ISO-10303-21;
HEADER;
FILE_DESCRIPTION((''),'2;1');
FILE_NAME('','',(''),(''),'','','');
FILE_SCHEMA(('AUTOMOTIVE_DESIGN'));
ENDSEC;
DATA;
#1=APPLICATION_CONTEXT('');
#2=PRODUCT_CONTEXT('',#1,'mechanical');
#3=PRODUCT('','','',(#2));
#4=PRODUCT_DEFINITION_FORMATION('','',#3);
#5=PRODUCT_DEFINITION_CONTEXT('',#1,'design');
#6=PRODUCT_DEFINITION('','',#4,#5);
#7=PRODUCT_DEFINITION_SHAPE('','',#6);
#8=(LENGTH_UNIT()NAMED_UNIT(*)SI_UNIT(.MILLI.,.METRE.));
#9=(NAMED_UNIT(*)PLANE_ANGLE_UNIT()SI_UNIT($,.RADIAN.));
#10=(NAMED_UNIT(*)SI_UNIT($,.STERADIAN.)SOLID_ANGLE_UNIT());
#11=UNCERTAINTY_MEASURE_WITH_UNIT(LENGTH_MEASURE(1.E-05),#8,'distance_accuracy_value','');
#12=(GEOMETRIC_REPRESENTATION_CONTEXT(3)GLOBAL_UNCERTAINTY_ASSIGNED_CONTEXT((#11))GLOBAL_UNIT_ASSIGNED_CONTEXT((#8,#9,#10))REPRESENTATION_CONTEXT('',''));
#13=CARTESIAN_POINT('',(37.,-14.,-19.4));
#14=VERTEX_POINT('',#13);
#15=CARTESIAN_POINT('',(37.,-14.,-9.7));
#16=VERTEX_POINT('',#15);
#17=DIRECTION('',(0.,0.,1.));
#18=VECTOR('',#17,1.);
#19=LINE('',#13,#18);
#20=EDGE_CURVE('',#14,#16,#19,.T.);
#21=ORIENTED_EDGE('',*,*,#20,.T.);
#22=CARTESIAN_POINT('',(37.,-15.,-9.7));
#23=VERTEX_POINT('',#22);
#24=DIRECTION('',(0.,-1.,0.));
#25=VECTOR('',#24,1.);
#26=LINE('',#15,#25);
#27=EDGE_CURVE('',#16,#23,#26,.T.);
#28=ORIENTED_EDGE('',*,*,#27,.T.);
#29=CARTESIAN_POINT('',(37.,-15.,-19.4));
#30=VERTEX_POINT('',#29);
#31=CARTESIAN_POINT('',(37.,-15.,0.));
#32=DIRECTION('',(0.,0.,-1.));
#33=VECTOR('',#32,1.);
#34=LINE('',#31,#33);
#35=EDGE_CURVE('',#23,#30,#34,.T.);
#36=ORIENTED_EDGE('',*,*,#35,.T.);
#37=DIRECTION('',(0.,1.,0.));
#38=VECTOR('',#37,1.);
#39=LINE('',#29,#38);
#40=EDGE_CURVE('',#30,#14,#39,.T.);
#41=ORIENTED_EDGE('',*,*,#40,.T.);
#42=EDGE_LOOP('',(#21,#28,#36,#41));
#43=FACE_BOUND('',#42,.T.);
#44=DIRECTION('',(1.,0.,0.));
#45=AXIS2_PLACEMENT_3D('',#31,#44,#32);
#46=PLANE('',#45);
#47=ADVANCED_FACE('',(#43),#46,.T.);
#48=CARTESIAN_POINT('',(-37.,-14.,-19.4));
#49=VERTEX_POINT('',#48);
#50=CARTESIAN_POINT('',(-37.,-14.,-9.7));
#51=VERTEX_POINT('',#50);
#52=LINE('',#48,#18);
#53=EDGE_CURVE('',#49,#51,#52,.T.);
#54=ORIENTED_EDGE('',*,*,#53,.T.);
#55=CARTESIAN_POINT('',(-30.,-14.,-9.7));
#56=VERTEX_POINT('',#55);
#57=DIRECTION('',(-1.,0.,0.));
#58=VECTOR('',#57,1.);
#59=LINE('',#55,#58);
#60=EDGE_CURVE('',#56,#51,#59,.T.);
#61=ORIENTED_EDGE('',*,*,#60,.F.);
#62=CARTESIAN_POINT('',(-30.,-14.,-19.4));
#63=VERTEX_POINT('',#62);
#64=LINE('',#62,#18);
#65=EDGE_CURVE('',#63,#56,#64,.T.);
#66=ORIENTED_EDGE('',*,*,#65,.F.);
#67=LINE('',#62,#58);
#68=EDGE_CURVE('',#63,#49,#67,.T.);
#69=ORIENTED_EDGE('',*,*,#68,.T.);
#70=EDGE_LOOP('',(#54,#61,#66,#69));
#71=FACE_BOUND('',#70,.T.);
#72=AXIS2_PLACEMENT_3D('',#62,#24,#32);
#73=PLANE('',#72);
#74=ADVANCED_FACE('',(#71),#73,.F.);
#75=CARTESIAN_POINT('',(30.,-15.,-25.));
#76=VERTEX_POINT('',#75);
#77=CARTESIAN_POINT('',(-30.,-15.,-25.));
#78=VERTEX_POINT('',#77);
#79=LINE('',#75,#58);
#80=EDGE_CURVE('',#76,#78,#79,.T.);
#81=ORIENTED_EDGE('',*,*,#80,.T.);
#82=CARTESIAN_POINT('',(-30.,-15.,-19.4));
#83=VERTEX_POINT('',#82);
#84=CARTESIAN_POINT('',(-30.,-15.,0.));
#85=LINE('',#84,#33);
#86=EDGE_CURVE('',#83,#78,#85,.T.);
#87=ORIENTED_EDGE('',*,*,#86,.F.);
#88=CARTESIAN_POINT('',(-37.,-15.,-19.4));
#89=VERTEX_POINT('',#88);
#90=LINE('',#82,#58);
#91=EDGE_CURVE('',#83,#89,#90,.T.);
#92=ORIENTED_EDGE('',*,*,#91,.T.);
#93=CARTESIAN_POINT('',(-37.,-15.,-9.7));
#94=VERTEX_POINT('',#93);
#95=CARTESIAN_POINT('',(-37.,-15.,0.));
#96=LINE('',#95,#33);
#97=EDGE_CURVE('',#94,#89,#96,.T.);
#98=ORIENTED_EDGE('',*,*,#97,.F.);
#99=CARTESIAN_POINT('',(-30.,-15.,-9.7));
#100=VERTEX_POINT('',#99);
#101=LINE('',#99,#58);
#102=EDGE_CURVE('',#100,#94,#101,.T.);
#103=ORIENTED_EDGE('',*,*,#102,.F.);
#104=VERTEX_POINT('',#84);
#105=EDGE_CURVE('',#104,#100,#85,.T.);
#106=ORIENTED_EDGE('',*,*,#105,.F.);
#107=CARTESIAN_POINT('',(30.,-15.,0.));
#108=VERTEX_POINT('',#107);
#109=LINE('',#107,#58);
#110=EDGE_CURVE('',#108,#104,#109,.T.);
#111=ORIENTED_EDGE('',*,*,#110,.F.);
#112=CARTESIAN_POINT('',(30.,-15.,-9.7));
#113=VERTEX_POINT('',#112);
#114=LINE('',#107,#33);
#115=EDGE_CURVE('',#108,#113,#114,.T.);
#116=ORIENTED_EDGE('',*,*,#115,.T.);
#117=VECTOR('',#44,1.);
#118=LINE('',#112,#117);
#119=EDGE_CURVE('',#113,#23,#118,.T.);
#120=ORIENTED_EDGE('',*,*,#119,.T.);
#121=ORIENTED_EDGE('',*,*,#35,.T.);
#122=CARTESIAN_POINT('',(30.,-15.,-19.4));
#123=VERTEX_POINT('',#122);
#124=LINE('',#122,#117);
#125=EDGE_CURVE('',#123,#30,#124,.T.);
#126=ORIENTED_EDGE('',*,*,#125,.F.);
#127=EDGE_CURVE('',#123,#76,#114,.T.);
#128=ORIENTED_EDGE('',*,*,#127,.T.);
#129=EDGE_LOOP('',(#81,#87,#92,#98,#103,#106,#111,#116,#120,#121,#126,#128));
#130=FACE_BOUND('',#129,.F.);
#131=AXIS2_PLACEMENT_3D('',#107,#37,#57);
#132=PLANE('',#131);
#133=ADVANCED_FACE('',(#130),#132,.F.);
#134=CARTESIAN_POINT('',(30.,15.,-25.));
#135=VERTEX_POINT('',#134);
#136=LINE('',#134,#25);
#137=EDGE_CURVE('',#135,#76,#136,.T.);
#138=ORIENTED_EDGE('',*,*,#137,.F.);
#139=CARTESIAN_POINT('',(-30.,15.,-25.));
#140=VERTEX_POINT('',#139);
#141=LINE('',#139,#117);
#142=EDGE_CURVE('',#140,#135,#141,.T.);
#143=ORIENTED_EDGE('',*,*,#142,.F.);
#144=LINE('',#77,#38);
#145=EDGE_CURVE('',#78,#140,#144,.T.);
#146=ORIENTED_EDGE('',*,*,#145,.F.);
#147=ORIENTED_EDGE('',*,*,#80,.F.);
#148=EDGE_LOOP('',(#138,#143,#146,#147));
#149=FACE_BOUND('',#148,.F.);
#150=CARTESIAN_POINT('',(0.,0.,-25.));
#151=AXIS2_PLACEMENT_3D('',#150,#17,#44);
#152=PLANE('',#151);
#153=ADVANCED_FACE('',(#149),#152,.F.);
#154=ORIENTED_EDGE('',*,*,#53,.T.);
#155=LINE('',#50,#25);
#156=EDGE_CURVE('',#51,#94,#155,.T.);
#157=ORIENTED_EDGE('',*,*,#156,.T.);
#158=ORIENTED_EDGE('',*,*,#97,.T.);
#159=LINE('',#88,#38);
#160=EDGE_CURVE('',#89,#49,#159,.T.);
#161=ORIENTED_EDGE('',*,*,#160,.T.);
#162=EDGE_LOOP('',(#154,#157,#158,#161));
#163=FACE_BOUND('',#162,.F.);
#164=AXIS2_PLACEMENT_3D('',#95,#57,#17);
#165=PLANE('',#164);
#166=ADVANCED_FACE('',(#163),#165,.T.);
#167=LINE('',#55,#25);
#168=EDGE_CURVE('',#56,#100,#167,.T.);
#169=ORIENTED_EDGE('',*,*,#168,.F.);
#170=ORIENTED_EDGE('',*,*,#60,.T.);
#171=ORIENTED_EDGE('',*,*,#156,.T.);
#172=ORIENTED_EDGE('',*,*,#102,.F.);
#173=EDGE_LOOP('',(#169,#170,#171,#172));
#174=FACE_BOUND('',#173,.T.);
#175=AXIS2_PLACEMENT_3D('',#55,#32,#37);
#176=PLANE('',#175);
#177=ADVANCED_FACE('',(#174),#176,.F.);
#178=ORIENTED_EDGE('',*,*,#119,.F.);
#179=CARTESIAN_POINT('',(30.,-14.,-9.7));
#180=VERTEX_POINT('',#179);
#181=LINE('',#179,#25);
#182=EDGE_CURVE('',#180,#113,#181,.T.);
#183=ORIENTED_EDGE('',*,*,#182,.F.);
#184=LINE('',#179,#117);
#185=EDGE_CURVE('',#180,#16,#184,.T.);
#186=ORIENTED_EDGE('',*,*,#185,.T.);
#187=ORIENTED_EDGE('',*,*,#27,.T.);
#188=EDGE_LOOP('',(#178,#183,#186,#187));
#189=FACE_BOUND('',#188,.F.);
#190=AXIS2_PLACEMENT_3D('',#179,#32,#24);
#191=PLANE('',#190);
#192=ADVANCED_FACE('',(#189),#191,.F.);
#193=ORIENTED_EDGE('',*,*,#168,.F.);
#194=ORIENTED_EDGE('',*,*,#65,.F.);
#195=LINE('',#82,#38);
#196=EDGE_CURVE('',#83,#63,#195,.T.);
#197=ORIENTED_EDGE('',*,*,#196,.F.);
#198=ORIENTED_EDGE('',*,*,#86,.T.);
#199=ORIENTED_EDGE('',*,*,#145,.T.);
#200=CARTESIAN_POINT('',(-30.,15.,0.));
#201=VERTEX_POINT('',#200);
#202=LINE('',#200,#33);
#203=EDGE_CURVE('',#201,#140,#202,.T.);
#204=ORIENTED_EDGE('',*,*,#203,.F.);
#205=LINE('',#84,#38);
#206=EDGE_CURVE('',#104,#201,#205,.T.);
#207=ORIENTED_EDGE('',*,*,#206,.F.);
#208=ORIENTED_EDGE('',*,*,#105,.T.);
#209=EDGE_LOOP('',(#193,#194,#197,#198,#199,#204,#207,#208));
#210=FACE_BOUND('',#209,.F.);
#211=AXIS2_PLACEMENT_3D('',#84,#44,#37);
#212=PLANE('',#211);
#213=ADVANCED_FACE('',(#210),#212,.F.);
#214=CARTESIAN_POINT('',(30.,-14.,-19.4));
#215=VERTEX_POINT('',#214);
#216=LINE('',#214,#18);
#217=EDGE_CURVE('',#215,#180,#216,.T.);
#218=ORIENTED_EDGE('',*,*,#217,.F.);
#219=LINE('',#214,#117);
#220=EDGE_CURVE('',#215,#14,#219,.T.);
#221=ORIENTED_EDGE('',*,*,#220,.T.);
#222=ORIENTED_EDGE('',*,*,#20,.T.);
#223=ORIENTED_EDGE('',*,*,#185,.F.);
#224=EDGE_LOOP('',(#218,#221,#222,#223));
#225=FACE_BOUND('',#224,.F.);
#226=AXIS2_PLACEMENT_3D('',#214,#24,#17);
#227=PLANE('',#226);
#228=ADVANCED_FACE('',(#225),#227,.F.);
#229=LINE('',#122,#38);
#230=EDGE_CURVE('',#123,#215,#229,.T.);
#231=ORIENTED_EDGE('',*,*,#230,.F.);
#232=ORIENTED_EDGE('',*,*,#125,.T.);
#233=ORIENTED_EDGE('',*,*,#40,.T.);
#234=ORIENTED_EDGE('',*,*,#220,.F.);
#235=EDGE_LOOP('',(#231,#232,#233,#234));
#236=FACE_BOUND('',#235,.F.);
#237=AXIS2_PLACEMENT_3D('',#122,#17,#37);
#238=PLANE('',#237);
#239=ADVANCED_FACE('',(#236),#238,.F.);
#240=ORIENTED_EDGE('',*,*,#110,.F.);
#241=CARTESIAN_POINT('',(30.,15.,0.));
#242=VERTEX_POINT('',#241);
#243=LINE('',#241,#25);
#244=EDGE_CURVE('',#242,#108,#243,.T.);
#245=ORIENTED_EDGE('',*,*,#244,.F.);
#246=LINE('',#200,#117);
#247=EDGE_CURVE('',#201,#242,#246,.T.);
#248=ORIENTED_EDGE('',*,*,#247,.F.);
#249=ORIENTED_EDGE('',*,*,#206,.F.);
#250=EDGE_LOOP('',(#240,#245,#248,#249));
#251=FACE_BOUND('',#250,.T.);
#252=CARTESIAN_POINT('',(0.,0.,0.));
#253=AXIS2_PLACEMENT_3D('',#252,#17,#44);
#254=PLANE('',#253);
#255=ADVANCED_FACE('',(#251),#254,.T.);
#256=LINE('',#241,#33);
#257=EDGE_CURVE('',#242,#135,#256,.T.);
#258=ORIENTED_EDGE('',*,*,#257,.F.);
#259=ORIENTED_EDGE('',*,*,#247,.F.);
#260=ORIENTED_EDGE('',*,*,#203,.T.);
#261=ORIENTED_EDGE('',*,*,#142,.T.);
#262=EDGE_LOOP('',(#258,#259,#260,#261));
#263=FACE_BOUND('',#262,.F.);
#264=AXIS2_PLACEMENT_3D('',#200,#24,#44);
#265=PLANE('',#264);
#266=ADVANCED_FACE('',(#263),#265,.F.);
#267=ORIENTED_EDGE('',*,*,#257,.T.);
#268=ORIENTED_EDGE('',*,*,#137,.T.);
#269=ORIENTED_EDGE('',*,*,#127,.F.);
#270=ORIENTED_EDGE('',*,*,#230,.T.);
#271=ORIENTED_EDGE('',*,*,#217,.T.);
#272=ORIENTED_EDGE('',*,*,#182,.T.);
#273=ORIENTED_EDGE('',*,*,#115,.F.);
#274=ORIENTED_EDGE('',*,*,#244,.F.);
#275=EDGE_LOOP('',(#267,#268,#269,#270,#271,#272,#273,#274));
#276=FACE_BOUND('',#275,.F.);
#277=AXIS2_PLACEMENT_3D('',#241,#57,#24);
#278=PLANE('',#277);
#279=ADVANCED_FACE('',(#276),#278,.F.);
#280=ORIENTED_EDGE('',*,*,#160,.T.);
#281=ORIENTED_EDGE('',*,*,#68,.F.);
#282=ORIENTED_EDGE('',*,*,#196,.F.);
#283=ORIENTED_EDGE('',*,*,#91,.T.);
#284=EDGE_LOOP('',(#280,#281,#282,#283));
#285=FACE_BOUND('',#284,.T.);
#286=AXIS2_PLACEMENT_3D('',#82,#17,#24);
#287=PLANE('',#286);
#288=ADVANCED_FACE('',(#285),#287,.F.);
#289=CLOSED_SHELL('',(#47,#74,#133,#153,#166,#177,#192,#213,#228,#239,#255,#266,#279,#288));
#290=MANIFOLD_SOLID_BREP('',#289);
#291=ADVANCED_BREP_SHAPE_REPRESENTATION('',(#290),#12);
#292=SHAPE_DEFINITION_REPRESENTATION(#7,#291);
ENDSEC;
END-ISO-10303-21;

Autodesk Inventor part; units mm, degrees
ref_plane "YZ Plane" through (0, 0, 0) normal (1, 0, 0) x (0, 1, 0)
ref_plane "XZ Plane" through (0, 0, 0) normal (0, 1, 0) x (-1, 0, 0)
ref_plane "XY Plane" through (0, 0, 0) normal (0, 0, 1) x (1, 0, 0)
sketch "Skizze1" plane through (0, 0, 0) normal (0, 0, 1) x (1, 0, 0)
  line L0 (30, -15) -> (-30, -15)
  line L1 (-30, -15) -> (-30, 15)
  line L2 (-30, 15) -> (30, 15)
  line L3 (30, 15) -> (30, -15)
  point P0 (0, 0)
  point P1 (-30, 0)
  point P2 (0, 15)
  dimension "d0" = 30
  dimension "d1" = 60
extrude "Extrusion1" add sketch "Skizze1" against normal blind 25
sketch "Skizze4" plane through (30, -15, 0) normal (1, 0, 0) x (0, 0, -1)
  line L0 (0, 0) -> (0, 30) projected
  line L1 (0, 0) -> (25, 0) projected
  line L2 (25, 0) -> (19.4, 0)
  line L3 (9.7, 0) -> (19.4, 0)
  line L4 (19.4, 0) -> (19.4, 1)
  line L5 (19.4, 1) -> (9.7, 1)
  line L6 (9.7, 1) -> (9.7, 0)
  point P0 (0, 15)
extrude "Extrusion3" add sketch "Skizze4" along normal blind 7
mirror "Spiegeln1" about plane through (0, 0, 0) normal (1, 0, 0) of "Extrusion3"
sketch "Skizze5" plane through (30, -14, -9.7) normal (0, 1, 0) x (1, 0, 0)
  line L0 (7, 0) -> (7, 9.7) projected
  line L1 (0, -9.7) -> (0, 15.3) projected
  line L2 (0, -9.7) -> (0, 0) projected
  line L3 (-60, 9.7) -> (-60, 0) projected
  line L4 (-60, 9.7) -> (-67, 9.7) projected
  line L5 (-67, 9.7) -> (-67, 0) projected
  point P0 (-30, -9.7)
  point P1 (3.5, 4.7412)
  point P2 (-63.5, 4.85)
sketch "Skizze6" plane through (-30, 15, 0) normal (0, 1, 0) x (1, 0, 0)
  line L0 (18.8891, 23.5916) -> (66.0849, 23.5916) construction
  line L1 (66.0849, 23.5916) -> (66.0849, 19.2386) construction
  line L2 (66.0849, 19.2386) -> (18.8891, 19.2386) construction
  line L3 (18.8891, 19.2386) -> (18.8891, 23.5916) construction
  point P0 (30, 0)
properties part number "Empfänger" material "Gold"
